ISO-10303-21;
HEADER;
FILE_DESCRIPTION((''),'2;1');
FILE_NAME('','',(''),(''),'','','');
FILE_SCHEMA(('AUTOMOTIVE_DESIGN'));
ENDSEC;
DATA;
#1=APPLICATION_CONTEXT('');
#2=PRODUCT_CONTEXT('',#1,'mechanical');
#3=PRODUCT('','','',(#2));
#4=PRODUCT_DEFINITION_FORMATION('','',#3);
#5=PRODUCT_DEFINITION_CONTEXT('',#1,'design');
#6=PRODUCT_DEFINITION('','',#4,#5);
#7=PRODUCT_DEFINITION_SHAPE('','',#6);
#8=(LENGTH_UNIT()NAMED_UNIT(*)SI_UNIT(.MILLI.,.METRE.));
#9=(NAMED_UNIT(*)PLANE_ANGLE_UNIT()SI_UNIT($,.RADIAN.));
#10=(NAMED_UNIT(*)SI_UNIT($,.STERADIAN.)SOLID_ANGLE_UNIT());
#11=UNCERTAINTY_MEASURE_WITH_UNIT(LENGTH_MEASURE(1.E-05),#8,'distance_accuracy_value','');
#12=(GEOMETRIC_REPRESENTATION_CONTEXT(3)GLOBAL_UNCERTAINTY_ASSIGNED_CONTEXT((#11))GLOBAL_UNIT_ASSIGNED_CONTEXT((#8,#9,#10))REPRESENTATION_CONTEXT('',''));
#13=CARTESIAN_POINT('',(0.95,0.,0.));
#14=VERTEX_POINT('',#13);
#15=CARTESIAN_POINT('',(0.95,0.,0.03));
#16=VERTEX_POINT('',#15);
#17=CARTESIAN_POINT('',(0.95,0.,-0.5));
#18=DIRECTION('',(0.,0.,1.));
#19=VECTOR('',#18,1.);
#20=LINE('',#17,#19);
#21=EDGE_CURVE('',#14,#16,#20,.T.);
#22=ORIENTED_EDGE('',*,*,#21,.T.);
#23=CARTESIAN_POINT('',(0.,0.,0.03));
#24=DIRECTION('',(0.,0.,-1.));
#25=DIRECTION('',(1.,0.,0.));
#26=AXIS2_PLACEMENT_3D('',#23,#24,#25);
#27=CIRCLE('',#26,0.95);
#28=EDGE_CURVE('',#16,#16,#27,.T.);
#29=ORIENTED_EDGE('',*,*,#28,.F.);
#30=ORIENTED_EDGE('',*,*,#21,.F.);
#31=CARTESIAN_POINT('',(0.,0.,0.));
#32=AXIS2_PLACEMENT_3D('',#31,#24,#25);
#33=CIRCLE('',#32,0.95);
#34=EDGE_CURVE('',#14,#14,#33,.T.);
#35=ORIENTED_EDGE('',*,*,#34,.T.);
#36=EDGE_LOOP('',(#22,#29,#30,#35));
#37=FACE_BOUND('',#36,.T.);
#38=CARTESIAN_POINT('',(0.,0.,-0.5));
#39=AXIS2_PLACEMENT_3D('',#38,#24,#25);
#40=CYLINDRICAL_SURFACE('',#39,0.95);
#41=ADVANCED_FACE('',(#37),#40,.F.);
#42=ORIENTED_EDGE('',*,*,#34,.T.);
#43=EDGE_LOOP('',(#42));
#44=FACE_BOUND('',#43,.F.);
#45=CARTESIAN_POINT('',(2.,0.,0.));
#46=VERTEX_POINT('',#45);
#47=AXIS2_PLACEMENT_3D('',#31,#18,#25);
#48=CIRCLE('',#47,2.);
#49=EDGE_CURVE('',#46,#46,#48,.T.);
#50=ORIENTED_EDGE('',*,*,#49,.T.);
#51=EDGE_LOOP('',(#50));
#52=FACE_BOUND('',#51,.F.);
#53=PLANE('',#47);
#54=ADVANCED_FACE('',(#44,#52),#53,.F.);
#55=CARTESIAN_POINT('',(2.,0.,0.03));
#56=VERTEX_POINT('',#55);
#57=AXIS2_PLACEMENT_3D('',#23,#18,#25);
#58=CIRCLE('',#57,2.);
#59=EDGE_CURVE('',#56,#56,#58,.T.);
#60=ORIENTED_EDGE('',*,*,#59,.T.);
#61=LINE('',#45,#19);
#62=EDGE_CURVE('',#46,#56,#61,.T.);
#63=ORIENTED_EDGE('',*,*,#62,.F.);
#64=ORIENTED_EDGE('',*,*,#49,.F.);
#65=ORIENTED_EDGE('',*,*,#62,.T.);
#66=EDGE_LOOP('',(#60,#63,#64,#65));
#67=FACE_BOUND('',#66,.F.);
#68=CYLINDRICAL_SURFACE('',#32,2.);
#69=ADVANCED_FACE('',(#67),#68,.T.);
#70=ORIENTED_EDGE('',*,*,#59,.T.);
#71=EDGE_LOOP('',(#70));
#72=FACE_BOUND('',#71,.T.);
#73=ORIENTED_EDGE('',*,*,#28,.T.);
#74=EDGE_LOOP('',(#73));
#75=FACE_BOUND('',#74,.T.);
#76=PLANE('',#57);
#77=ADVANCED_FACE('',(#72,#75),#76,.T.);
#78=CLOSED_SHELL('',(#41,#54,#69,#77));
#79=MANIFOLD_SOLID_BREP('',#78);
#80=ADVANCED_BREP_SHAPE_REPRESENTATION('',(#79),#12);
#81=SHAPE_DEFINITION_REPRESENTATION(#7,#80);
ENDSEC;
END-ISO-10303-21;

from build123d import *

# Parameters (mm, degrees)
CYLINDER001_R     = 0.95
CYLINDER001_DEPTH = 1
CYLINDER_R        = 2
CYLINDER_DEPTH    = 0.03


with BuildPart() as drill190:
    # Cylinder001 → Cylinder001 (new body)
    with BuildSketch(Plane.XY.offset(-0.5)):
        Circle(CYLINDER001_R)
    extrude(amount=CYLINDER001_DEPTH)


with BuildPart() as tp400p190d:
    # Cylinder → Cylinder (new body)
    with BuildSketch(Plane.XY):
        Circle(CYLINDER_R)
    extrude(amount=CYLINDER_DEPTH)

    # Cut: cut drill190
    add(drill190.part, mode=Mode.SUBTRACT)


solid = tp400p190d.part
